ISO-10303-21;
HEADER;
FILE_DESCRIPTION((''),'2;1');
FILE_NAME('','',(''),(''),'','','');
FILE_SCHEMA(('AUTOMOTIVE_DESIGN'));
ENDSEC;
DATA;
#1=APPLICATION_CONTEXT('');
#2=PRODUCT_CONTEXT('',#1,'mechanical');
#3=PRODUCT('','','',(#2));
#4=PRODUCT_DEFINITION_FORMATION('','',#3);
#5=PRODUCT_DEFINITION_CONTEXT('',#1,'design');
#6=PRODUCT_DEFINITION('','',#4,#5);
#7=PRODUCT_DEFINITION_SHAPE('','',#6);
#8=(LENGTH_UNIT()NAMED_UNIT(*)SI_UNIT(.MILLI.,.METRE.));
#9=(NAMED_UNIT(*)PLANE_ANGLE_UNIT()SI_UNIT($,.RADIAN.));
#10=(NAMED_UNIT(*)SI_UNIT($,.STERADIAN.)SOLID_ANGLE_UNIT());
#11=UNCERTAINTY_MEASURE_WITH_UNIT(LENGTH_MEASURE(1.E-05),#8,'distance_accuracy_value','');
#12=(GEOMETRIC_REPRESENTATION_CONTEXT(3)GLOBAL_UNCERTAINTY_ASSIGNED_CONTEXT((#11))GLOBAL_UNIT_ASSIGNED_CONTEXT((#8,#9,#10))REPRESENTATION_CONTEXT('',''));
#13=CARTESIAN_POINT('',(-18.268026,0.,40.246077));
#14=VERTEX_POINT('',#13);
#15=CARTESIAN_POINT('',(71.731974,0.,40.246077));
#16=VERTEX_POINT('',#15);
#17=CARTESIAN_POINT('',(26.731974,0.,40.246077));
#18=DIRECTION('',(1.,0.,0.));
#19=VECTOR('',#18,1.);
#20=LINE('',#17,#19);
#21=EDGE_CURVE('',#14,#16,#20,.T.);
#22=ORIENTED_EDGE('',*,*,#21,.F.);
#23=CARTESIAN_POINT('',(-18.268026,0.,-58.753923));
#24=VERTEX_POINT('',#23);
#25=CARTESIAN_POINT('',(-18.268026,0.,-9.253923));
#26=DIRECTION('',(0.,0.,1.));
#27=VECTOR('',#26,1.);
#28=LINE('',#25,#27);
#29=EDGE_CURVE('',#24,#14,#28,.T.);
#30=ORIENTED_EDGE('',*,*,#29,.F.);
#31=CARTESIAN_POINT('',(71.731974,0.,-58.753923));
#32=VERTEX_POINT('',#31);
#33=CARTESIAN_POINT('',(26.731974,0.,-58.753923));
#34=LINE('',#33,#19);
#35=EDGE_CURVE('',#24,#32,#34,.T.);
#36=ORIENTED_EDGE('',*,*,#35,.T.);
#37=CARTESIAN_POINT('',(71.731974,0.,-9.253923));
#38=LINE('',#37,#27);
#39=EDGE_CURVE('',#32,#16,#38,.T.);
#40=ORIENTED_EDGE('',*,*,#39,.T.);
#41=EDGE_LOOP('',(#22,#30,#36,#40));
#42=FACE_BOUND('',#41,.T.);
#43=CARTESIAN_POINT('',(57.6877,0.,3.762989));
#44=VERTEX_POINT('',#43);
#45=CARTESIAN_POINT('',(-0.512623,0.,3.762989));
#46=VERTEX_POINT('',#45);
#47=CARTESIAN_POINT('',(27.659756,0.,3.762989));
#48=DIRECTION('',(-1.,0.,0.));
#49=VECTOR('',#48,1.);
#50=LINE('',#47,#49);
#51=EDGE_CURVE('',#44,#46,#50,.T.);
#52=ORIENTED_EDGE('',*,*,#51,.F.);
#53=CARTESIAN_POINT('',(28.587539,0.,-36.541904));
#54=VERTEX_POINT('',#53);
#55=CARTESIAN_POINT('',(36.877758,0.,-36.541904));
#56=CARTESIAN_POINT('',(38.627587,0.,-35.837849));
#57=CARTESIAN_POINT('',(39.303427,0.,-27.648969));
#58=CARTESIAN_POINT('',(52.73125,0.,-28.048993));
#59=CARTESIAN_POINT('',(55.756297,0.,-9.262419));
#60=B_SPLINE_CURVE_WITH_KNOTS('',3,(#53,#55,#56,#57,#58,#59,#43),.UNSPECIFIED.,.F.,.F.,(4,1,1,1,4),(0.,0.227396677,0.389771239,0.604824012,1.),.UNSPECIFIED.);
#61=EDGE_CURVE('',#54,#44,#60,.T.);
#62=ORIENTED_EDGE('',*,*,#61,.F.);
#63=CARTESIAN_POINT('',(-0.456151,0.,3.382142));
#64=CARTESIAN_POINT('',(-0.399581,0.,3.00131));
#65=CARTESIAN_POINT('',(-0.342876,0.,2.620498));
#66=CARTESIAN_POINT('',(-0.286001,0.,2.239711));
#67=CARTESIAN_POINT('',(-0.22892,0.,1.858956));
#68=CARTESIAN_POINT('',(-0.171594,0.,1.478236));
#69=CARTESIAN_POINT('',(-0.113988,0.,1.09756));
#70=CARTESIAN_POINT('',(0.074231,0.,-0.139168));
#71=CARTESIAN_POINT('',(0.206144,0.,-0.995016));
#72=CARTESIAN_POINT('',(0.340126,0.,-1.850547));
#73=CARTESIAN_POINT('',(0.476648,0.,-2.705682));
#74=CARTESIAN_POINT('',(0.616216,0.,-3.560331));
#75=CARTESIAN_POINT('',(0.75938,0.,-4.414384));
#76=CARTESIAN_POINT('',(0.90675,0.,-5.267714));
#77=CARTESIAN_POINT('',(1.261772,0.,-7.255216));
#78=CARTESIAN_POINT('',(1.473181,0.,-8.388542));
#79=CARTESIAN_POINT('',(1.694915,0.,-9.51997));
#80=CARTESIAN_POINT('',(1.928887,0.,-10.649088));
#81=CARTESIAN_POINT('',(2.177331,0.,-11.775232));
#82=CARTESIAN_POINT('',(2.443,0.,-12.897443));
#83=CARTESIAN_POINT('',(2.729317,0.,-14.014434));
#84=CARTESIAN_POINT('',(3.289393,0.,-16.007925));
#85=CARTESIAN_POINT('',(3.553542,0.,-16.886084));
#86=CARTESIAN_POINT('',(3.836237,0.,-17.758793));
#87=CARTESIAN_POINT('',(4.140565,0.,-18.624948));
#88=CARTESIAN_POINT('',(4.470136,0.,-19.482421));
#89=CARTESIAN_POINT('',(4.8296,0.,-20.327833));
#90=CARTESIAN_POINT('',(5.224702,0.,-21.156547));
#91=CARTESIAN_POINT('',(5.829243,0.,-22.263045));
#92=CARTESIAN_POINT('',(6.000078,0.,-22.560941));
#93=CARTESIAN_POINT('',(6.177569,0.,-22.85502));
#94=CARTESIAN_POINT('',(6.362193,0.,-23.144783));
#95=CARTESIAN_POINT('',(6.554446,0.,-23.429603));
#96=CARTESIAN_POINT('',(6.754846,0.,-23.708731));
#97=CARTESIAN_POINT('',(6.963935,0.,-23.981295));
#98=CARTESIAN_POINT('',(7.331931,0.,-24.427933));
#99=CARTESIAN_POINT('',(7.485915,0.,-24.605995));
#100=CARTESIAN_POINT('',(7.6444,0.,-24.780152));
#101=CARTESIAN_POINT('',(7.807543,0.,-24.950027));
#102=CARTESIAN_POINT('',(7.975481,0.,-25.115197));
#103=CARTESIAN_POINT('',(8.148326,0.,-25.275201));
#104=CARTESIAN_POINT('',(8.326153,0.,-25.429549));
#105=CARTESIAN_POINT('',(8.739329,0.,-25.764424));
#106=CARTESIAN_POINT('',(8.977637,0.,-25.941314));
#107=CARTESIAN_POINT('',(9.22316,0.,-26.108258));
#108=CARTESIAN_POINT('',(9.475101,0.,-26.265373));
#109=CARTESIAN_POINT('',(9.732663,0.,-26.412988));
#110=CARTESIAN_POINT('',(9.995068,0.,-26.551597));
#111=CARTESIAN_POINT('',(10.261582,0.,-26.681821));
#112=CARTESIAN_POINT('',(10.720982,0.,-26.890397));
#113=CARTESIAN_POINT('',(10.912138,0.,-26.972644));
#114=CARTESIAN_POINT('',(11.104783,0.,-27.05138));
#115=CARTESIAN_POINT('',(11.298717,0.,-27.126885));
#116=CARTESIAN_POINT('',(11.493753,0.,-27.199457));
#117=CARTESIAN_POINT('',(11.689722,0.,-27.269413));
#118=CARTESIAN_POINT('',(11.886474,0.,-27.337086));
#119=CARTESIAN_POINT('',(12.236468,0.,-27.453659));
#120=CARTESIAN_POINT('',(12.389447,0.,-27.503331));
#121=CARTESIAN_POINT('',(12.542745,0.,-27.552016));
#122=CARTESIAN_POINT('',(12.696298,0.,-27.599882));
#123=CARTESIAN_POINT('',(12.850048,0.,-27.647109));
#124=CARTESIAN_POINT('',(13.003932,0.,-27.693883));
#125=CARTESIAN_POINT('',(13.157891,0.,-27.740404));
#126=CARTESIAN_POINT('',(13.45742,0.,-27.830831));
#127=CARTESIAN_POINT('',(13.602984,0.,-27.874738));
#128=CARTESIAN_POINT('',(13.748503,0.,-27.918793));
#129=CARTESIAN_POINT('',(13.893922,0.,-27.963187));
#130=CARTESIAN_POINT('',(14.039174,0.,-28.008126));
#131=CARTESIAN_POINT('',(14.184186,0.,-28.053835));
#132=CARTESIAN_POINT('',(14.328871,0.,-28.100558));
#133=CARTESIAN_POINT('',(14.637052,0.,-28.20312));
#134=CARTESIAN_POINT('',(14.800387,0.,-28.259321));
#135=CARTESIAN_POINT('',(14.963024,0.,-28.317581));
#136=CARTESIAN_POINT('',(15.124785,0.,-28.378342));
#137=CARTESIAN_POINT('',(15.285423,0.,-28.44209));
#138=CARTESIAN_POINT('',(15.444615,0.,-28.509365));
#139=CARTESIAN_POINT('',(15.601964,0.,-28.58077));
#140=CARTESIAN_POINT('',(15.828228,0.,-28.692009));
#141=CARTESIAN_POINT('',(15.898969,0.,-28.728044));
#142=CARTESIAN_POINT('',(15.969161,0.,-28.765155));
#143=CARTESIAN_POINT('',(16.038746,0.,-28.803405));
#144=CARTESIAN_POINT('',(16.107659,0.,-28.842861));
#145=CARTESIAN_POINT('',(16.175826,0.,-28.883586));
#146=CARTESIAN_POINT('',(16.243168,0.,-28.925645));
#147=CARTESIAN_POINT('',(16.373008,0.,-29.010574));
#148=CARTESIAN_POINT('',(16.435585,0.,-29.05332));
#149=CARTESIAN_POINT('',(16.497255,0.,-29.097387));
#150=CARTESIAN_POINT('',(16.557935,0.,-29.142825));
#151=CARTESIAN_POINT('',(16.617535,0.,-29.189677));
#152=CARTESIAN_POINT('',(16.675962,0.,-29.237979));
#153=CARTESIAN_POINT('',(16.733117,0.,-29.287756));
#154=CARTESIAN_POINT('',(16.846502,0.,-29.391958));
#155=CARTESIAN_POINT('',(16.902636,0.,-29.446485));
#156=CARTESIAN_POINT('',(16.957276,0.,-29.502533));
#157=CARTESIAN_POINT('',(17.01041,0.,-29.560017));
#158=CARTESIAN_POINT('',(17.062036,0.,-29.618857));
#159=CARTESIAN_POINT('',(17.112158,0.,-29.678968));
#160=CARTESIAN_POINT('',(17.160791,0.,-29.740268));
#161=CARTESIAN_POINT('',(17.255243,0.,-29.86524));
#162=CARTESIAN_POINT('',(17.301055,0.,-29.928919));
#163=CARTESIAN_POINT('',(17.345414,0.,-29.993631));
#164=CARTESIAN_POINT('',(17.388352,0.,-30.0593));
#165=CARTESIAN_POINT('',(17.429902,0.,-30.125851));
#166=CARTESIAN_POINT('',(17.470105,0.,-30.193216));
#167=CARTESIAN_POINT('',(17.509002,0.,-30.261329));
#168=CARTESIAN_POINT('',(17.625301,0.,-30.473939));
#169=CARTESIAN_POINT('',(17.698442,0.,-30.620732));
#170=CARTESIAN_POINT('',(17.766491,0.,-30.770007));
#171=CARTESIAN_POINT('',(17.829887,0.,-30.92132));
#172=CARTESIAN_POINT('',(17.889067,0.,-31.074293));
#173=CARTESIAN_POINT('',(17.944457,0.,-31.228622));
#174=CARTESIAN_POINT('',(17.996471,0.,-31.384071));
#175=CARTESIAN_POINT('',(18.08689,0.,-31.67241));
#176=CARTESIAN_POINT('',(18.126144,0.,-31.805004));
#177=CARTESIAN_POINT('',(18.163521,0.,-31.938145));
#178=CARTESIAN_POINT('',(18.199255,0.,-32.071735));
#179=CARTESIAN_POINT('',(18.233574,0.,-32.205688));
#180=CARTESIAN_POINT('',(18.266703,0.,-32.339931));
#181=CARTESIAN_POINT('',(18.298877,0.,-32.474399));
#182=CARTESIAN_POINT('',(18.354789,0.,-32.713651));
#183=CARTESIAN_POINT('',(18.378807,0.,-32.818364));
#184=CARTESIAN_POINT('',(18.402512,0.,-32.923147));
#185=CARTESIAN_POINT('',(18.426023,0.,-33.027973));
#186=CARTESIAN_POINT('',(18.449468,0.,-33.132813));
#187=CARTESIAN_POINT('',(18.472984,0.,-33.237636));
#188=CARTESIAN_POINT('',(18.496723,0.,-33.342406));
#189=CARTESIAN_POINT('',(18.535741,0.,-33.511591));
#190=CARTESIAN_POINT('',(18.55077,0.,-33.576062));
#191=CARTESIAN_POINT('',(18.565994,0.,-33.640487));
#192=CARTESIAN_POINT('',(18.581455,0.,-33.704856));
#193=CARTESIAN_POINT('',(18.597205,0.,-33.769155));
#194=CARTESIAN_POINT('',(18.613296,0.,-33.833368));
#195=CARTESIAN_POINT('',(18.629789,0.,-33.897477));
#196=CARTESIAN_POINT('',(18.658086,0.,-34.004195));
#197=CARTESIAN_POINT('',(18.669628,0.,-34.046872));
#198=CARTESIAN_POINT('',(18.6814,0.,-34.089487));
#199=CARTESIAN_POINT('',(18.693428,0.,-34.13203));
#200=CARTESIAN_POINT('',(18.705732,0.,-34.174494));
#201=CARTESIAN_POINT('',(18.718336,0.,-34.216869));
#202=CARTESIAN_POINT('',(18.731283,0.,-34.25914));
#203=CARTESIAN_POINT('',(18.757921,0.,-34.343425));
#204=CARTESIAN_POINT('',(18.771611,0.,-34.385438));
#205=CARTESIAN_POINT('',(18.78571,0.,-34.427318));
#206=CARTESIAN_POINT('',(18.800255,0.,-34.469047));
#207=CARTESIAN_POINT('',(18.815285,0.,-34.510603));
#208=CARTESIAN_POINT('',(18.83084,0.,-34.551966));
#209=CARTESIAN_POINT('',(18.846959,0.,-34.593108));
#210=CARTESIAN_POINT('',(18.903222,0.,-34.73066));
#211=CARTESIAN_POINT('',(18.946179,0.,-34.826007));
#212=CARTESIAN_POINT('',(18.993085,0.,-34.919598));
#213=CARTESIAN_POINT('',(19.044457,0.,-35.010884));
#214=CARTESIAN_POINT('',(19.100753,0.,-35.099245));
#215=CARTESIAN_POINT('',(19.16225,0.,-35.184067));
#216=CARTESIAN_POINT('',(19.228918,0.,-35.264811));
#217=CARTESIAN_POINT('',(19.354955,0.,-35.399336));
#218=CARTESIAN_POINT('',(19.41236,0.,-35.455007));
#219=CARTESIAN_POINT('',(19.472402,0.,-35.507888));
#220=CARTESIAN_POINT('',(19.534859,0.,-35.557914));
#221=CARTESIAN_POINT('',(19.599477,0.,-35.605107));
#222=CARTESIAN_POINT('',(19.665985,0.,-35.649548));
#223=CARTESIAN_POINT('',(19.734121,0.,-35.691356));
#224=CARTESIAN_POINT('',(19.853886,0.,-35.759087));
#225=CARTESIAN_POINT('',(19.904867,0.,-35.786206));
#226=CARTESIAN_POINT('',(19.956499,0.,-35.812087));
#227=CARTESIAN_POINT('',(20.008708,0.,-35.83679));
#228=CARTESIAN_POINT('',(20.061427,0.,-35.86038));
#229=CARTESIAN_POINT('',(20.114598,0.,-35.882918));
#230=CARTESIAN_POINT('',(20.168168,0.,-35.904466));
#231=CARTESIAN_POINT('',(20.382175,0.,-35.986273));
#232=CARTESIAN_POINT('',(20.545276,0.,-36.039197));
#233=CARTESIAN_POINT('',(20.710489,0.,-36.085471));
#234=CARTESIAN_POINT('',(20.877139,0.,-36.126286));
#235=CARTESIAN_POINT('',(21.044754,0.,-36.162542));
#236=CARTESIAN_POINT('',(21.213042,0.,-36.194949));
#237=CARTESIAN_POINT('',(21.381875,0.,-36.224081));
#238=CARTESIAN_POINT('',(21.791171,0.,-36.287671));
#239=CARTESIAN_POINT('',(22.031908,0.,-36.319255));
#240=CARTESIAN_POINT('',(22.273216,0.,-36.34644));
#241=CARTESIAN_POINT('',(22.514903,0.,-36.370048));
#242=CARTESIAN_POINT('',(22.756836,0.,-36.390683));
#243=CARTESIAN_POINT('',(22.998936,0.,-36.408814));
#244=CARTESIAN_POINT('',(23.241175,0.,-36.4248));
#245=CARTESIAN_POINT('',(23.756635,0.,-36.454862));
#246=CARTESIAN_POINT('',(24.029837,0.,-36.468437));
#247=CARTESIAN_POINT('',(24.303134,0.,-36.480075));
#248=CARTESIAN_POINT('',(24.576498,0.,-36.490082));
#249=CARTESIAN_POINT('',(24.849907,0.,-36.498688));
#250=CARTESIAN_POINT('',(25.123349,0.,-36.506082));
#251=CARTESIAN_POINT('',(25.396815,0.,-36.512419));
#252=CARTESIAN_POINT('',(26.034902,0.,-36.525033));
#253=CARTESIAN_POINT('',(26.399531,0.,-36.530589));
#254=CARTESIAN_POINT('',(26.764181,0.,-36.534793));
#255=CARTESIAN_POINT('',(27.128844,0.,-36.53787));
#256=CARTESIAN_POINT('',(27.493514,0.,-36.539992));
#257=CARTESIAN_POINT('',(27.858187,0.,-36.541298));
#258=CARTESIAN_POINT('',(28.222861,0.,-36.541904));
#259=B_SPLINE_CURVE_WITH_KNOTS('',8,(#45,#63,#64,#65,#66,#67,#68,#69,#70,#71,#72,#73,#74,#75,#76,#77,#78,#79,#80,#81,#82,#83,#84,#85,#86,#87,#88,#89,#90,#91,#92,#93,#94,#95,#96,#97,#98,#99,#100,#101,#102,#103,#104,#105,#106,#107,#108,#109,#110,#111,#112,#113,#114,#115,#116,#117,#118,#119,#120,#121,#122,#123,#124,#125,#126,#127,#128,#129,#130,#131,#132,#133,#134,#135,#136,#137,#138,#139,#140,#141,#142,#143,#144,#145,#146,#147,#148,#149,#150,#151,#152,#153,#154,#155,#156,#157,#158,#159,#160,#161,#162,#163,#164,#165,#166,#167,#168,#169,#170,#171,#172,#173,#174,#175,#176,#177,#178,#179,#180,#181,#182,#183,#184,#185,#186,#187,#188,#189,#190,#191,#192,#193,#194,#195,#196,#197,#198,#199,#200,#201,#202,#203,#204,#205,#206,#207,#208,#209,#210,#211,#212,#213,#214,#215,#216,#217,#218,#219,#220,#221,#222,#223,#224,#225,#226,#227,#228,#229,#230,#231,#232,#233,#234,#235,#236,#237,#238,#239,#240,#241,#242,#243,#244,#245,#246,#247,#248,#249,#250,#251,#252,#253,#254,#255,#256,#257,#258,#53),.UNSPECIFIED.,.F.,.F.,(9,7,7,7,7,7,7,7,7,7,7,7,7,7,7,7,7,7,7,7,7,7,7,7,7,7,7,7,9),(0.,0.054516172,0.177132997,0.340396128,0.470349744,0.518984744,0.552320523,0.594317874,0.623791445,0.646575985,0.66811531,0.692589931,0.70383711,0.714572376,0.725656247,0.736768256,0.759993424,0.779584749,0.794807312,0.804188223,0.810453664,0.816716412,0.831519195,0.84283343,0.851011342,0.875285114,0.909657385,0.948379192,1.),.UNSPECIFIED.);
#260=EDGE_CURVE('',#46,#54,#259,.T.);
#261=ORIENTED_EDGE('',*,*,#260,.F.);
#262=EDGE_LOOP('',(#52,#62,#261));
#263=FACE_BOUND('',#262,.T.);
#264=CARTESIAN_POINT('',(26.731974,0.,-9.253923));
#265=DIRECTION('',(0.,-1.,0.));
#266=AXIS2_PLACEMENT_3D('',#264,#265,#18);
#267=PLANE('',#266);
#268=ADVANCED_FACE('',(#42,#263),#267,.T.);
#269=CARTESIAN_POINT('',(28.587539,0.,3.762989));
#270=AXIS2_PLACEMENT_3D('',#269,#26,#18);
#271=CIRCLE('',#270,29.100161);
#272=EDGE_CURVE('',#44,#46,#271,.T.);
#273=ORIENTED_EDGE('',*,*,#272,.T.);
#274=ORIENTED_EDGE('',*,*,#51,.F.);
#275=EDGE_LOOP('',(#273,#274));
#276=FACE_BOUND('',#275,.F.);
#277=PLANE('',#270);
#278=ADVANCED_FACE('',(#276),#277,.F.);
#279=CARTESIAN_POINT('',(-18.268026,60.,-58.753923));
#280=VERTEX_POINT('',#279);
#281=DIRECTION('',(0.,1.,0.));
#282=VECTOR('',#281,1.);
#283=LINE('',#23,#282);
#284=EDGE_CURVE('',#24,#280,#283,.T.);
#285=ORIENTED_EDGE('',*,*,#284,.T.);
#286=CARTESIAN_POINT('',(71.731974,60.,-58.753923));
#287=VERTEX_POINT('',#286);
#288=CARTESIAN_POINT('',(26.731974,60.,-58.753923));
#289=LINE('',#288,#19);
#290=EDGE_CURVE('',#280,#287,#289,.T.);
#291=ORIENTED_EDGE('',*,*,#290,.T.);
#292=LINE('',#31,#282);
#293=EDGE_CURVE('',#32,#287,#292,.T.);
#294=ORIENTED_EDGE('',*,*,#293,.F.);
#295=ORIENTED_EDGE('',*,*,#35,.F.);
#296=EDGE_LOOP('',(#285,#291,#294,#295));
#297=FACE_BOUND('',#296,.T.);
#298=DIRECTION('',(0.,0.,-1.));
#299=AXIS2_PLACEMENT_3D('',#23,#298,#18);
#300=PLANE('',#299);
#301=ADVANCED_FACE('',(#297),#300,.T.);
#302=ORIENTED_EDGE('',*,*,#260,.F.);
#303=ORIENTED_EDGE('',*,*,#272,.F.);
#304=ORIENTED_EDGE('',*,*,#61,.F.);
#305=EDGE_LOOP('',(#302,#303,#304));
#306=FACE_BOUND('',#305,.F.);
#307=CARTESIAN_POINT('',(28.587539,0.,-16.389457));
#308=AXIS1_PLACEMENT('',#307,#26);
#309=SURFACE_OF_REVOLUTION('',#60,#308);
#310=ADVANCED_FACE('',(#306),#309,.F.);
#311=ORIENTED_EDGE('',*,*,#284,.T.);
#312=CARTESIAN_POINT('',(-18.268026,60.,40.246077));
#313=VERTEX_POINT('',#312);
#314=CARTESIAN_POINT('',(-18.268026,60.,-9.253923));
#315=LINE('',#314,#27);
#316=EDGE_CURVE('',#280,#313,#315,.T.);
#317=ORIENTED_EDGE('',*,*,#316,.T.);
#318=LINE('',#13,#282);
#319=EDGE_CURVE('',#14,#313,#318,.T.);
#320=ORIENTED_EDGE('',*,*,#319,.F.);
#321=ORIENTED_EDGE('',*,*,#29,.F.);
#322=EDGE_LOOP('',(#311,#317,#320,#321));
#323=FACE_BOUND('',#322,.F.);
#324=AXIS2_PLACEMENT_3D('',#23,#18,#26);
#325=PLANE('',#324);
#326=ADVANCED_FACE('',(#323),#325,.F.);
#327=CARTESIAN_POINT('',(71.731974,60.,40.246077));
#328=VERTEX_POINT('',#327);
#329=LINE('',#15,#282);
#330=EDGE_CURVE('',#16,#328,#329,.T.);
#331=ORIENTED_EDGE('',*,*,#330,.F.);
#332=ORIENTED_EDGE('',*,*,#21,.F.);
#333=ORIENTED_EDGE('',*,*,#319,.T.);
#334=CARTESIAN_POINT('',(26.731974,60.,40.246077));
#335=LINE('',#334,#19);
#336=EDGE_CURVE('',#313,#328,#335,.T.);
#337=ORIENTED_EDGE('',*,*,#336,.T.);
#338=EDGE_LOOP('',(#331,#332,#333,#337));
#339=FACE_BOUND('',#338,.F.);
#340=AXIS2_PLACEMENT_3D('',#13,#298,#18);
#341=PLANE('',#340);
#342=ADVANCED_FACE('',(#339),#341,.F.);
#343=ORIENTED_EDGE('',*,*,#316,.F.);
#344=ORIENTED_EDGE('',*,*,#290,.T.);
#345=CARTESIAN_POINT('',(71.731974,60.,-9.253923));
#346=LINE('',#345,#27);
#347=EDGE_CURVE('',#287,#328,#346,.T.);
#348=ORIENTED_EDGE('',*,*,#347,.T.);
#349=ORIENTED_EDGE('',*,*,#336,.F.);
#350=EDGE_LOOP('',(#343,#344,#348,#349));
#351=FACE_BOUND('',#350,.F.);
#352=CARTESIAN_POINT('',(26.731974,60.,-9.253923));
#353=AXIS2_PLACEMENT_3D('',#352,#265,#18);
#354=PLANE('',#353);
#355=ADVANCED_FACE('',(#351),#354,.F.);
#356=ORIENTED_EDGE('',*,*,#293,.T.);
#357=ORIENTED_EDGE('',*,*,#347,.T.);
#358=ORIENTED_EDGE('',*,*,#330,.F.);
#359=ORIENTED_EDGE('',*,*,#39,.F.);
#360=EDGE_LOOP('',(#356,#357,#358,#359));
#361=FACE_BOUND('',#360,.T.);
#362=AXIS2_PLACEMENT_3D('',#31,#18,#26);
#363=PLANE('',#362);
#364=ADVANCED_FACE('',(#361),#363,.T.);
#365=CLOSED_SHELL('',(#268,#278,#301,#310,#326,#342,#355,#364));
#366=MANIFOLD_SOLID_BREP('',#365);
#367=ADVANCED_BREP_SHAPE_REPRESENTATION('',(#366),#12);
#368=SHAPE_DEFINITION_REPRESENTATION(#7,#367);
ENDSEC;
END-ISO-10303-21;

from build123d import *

# Parameters (mm, degrees)
F2_W     = 90
F2_H     = 99
F3_DEPTH = 60


with BuildPart() as f1:
    # F0 (on Front) → F1 (revolve)
    with BuildSketch(Plane.XZ):
        with BuildLine():
            Line((28.5875385463, 3.7629891087), (28.5875385463, -36.5419039394))
            add(Edge.make_bspline(
                [(28.5875385463, -36.5419039394), (36.877758444, -36.5419039394), (38.6275867194, -35.8378488567), (39.3034274749, -27.6489692273), (52.7312499665, -28.0489931449), (55.7562974133, -9.2624192261), (57.687700038, 3.7629891087)],
                knots=[0, 0, 0, 0, 0.2273966772, 0.3897712394, 0.6048240119, 1, 1, 1, 1], degree=3))
            Line((57.687700038, 3.7629891087), (28.5875385463, 3.7629891087))
        make_face()
    revolve(axis=Axis((28.5875385463, 0, -16.3894574153), (0, 0, 1)))


with BuildPart() as f3:
    # F2 (on Front) → F3 (new body)
    with BuildSketch(Plane.XZ):
        with Locations((26.7319735885, -9.2539225817)):
            Rectangle(F2_W, F2_H)
    extrude(amount=-F3_DEPTH)

    # F4: cut F1
    add(f1.part, mode=Mode.SUBTRACT)


solid = f3.part
